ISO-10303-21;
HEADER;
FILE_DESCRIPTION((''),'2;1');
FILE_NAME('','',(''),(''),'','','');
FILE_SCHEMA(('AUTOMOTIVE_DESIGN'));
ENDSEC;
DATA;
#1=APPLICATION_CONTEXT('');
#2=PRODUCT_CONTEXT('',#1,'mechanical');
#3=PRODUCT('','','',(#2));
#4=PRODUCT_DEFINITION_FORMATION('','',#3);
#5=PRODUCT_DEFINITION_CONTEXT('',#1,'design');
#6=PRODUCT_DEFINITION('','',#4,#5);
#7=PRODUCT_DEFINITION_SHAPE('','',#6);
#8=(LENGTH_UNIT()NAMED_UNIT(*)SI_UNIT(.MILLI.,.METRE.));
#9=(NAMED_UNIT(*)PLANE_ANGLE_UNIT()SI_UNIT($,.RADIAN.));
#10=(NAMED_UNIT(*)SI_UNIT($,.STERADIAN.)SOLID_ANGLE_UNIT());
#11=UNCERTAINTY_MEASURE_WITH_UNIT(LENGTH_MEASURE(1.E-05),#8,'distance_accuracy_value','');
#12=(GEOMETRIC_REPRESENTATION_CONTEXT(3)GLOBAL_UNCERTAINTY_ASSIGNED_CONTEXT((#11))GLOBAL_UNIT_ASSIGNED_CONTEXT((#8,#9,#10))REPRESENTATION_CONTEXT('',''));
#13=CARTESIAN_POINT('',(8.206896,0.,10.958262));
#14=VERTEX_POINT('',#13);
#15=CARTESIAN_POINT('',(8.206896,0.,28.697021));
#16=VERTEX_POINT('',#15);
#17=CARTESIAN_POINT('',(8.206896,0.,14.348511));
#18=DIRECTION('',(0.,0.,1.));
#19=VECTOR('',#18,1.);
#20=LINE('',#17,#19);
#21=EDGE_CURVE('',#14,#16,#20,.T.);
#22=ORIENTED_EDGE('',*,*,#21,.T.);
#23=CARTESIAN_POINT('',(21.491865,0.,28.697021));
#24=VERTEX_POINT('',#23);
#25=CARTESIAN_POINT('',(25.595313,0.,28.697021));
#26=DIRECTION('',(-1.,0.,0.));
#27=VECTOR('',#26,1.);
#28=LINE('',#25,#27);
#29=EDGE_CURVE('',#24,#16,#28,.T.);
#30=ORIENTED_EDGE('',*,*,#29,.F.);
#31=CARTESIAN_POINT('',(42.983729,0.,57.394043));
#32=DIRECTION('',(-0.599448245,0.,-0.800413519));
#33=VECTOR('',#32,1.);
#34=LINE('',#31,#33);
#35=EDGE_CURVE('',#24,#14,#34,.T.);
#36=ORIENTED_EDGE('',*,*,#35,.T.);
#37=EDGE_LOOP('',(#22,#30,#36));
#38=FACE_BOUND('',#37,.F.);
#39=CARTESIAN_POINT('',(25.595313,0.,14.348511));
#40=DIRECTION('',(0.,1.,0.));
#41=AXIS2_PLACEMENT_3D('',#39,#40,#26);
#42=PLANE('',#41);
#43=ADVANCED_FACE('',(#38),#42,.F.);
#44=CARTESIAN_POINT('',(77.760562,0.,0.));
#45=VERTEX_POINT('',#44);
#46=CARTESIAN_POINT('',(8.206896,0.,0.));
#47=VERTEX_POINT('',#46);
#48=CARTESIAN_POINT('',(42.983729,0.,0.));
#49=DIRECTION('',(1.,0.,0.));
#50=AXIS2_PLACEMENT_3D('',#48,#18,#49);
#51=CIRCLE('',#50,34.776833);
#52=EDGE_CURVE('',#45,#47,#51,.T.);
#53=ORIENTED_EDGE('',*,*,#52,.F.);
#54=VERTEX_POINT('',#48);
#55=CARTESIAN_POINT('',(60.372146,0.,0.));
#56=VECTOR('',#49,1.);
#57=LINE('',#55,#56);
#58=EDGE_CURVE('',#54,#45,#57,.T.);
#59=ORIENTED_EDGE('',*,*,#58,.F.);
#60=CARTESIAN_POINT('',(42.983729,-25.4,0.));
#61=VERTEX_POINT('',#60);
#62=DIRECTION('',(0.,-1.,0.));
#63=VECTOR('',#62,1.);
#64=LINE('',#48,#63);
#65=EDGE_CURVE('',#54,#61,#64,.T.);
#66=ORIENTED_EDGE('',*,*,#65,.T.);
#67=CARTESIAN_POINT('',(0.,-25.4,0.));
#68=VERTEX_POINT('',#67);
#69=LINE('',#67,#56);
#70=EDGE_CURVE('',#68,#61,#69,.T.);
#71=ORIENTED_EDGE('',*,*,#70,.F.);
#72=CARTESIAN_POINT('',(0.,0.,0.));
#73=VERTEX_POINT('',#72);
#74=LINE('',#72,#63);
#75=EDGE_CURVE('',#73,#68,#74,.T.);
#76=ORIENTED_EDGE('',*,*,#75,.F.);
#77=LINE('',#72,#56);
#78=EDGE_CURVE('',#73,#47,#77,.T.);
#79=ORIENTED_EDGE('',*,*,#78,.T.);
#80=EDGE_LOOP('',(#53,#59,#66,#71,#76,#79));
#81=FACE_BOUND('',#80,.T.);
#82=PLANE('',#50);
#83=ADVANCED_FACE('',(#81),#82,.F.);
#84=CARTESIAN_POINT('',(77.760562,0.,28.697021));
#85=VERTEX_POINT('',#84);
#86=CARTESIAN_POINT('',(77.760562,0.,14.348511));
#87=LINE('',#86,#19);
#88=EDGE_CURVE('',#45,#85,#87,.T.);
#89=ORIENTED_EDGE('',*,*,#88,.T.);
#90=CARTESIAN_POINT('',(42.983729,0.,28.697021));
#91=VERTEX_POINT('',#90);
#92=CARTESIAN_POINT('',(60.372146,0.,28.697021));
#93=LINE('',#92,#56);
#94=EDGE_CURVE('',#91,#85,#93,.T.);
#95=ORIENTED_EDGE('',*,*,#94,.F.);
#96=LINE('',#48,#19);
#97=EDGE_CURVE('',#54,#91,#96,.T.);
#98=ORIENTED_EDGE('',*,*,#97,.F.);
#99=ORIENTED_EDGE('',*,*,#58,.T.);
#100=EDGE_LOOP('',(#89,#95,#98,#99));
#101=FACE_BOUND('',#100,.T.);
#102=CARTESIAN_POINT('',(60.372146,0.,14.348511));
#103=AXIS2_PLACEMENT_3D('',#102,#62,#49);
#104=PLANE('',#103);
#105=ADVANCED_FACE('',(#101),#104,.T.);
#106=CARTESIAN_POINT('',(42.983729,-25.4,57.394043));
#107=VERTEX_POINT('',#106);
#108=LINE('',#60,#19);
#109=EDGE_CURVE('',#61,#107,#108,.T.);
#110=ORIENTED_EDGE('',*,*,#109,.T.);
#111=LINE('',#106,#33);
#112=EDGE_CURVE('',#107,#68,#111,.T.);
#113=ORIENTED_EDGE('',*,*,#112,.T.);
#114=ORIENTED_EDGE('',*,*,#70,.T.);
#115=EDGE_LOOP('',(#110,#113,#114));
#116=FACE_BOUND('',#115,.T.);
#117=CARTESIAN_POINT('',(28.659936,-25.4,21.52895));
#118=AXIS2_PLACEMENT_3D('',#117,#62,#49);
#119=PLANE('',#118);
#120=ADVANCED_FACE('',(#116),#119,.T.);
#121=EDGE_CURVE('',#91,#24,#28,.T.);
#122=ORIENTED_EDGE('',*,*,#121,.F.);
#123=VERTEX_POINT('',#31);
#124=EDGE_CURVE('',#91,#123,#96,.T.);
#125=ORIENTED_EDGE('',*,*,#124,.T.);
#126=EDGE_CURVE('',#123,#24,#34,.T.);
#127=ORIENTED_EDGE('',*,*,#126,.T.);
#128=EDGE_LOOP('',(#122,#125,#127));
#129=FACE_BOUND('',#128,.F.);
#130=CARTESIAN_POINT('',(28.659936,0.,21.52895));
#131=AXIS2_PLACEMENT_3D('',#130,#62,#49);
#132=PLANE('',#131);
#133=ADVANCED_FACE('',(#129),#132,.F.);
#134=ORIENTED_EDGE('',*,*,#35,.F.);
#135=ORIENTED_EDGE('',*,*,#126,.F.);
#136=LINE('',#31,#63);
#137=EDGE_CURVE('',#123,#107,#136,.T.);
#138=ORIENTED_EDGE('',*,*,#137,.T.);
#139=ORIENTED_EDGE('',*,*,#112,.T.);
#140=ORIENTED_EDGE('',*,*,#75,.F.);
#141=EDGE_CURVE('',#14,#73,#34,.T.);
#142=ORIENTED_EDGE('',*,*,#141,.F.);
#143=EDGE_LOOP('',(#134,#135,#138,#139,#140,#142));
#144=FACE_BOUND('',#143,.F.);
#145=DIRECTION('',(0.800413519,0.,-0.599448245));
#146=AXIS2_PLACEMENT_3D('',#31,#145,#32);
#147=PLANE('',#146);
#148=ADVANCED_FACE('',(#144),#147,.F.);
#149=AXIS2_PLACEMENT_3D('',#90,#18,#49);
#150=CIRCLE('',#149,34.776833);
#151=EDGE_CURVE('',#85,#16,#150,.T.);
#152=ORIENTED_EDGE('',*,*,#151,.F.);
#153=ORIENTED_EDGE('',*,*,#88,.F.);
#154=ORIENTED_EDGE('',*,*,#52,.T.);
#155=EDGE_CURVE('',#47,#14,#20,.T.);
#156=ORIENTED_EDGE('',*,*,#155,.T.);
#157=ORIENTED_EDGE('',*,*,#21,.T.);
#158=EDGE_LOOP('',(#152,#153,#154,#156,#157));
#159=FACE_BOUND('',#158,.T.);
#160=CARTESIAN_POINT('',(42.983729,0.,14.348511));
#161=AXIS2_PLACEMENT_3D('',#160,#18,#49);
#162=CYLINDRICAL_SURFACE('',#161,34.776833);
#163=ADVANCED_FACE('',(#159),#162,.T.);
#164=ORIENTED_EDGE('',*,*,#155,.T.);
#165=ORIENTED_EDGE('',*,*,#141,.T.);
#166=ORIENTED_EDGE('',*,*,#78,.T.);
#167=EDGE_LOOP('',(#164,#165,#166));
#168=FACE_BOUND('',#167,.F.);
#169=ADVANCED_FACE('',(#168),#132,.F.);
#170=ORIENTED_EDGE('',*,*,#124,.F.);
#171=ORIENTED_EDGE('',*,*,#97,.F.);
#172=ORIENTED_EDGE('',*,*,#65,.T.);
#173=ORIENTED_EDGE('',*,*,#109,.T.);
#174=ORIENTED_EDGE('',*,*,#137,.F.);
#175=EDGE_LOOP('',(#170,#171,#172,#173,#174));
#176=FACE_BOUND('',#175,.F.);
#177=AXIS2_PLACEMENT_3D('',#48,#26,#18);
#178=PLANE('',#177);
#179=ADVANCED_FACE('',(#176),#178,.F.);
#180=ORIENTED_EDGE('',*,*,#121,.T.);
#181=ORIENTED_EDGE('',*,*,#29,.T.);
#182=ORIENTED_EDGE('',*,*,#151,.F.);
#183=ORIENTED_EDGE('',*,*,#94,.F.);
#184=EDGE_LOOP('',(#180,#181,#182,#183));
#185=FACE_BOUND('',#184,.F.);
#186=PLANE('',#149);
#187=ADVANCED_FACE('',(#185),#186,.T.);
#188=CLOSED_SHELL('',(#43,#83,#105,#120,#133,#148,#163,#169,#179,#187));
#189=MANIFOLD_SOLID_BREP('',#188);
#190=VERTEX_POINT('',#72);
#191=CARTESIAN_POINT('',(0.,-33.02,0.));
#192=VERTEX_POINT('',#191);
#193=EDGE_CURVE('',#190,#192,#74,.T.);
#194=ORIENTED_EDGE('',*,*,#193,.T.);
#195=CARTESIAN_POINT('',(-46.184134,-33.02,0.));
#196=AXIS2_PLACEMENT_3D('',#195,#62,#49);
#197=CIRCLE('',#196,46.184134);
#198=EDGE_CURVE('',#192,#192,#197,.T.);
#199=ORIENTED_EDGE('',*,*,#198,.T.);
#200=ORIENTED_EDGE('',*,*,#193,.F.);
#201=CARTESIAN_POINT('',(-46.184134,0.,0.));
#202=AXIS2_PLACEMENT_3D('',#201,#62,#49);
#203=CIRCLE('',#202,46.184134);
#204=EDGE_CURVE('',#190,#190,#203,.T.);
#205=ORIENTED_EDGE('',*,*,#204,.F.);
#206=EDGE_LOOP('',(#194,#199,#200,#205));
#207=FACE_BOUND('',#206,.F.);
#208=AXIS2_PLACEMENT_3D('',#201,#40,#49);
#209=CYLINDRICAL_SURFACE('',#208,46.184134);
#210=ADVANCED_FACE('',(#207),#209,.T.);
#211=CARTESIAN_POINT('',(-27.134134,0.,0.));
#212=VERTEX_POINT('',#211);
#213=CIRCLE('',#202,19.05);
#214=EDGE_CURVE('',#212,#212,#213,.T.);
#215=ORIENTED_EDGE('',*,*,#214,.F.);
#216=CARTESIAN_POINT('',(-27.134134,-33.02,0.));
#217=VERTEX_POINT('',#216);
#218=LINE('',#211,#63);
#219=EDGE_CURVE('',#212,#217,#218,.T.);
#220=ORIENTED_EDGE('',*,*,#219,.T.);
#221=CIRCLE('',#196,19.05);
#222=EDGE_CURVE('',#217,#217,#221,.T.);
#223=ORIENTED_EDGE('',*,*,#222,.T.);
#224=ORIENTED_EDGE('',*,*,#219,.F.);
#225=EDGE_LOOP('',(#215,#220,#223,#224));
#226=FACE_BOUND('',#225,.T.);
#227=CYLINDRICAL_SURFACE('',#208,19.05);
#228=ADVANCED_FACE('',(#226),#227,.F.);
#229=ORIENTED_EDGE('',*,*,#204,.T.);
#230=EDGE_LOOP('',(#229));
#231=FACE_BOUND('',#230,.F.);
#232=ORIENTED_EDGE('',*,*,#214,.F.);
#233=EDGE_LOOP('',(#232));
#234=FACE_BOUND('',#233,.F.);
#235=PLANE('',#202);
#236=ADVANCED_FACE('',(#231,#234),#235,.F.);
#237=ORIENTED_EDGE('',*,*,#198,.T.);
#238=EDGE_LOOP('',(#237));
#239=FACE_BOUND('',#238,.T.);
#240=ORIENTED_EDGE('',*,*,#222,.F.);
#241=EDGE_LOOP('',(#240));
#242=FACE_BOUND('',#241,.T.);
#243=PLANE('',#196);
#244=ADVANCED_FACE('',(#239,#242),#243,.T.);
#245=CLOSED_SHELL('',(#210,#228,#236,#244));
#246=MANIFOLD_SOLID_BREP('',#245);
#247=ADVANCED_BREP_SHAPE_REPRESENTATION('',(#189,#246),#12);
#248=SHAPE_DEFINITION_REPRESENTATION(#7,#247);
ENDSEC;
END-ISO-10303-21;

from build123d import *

# Parameters (mm, degrees)
F0_R     = 46.1841337383
F1_DEPTH = 33.02
F2_DEPTH = 25.4
F6_W     = 34.7768329084
F6_H     = 28.6970213056
F3_ANGLE = 180
F4_R     = 19.05
F5_DEPTH = 33.02


with BuildPart() as f1:
    # F0 (on Front) → F1 (new body)
    with BuildSketch(Plane.XZ):
        with Locations((-46.1841337383, 0)):
            Circle(F0_R)
    extrude(amount=F1_DEPTH)

    # F4 (on face) → F5 (cut, through all)
    with BuildSketch(Plane.XZ):
        with Locations((-46.1841337383, 0)):
            Circle(F4_R)
    extrude(amount=F5_DEPTH, mode=Mode.SUBTRACT)


with BuildPart() as f2:
    # F6 (on Front) → F2 (new body)
    with BuildSketch(Plane.XZ):
        Polygon((42.9837293923, 28.6970213056), (42.9837293923, 57.3940426111), (0, 0), (42.9837293923, 0), align=None)
    extrude(amount=F2_DEPTH)

    # F6 (on Front) → F3 (revolve)
    with BuildSketch(Plane.XZ):
        with Locations((60.3721458465, 14.3485106528)):
            Rectangle(F6_W, F6_H)
    revolve(axis=Axis((42.9837293923, 0, 28.6970213056), (0, 0, 1)), revolution_arc=F3_ANGLE)


solid = Compound([f1.part, f2.part])
